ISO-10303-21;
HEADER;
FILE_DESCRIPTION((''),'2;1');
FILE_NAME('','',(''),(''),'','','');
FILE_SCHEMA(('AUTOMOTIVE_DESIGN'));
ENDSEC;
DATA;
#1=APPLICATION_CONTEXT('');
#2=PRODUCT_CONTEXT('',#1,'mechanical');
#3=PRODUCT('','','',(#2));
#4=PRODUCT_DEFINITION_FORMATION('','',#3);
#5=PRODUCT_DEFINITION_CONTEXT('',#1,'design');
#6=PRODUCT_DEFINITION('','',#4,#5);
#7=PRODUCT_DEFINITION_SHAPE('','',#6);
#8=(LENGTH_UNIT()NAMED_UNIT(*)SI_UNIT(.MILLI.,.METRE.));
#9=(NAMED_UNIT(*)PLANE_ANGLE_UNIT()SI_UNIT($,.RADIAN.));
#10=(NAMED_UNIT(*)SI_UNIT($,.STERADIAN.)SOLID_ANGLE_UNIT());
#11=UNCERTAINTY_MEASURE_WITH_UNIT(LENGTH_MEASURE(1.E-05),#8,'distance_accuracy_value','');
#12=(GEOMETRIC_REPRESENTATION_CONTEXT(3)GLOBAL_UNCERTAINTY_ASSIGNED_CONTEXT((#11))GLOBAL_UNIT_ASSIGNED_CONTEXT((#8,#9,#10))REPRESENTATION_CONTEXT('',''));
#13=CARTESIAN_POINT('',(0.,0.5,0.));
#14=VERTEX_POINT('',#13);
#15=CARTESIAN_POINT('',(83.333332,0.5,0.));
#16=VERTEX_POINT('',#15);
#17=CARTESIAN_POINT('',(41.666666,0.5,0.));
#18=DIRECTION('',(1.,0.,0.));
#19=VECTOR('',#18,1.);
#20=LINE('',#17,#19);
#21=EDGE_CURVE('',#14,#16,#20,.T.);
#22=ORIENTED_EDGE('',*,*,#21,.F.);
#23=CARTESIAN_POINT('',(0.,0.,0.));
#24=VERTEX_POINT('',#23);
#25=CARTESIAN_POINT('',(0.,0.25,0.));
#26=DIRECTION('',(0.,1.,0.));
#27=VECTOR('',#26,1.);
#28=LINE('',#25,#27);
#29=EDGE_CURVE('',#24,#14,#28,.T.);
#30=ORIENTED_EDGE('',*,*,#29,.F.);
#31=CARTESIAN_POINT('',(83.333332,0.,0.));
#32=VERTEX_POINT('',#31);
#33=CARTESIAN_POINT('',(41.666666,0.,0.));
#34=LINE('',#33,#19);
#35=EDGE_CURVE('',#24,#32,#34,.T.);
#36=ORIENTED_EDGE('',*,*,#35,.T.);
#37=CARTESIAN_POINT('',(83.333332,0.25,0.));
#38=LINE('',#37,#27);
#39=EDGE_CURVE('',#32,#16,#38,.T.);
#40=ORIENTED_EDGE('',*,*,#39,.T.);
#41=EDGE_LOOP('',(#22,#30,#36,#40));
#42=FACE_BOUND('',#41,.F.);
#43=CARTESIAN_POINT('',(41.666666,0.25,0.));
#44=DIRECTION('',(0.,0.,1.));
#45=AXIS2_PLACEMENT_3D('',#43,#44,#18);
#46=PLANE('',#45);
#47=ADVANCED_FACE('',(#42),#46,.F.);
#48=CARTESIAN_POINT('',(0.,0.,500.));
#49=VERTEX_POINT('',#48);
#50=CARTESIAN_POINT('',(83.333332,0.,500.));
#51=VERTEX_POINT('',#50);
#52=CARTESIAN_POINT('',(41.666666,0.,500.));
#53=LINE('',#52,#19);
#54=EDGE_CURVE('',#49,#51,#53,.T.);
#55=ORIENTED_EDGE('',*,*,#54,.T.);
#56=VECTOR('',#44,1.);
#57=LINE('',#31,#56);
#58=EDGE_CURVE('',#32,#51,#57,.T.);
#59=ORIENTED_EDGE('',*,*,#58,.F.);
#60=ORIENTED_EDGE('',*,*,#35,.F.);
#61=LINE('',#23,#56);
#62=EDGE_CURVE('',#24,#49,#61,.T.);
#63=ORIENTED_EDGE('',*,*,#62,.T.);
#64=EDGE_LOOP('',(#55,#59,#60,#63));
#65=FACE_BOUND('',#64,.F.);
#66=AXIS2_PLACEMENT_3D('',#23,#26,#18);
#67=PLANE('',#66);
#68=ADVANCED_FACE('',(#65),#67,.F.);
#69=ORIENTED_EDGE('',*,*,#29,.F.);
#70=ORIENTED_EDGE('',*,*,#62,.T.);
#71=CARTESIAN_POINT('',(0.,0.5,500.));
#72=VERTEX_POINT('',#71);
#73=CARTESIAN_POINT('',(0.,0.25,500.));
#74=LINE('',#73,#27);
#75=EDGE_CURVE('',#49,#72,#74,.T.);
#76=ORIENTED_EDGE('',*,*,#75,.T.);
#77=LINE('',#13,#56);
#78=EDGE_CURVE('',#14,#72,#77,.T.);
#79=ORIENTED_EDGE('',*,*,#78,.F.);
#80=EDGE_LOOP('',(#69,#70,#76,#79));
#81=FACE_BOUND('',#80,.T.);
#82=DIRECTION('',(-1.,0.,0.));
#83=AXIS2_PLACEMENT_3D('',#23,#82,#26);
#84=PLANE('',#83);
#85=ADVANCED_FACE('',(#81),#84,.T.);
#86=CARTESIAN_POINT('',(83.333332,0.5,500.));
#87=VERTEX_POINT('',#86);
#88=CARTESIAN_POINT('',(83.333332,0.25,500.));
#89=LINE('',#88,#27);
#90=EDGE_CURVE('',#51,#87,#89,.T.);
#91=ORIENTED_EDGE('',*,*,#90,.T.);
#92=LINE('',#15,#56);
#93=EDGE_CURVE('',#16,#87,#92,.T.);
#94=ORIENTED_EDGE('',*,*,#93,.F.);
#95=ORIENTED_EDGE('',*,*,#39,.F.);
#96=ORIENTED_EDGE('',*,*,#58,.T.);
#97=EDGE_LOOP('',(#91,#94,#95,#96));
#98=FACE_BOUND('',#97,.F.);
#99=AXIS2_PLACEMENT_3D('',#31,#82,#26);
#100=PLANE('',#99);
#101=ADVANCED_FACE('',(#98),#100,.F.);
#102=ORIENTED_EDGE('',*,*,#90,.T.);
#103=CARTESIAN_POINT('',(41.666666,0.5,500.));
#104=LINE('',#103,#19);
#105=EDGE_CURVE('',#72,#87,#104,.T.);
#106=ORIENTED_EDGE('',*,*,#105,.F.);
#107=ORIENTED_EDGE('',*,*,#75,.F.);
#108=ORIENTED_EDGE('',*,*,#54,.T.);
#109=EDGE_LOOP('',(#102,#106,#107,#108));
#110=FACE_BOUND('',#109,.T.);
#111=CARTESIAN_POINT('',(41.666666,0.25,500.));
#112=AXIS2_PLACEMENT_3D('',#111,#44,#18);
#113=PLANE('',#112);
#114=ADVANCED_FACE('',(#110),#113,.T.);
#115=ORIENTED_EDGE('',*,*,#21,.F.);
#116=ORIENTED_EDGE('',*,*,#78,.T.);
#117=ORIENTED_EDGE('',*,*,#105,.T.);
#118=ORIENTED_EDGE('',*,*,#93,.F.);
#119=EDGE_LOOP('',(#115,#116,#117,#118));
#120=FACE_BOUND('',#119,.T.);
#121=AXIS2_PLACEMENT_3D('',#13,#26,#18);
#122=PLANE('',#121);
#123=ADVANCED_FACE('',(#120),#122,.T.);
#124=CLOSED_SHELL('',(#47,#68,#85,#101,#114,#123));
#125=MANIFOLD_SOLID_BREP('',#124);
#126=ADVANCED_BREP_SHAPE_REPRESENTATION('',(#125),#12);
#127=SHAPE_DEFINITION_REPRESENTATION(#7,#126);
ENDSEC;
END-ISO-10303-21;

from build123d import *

# Parameters (mm, degrees)
BOX_W     = 83.333333
BOX_H     = 0.5
BOX_DEPTH = 500


with BuildPart() as part:
    # Box → Box (new body)
    with BuildSketch(Plane.XY):
        with Locations((41.666666, 0.25)):
            Rectangle(BOX_W, BOX_H)
    extrude(amount=BOX_DEPTH)


solid = part.part
